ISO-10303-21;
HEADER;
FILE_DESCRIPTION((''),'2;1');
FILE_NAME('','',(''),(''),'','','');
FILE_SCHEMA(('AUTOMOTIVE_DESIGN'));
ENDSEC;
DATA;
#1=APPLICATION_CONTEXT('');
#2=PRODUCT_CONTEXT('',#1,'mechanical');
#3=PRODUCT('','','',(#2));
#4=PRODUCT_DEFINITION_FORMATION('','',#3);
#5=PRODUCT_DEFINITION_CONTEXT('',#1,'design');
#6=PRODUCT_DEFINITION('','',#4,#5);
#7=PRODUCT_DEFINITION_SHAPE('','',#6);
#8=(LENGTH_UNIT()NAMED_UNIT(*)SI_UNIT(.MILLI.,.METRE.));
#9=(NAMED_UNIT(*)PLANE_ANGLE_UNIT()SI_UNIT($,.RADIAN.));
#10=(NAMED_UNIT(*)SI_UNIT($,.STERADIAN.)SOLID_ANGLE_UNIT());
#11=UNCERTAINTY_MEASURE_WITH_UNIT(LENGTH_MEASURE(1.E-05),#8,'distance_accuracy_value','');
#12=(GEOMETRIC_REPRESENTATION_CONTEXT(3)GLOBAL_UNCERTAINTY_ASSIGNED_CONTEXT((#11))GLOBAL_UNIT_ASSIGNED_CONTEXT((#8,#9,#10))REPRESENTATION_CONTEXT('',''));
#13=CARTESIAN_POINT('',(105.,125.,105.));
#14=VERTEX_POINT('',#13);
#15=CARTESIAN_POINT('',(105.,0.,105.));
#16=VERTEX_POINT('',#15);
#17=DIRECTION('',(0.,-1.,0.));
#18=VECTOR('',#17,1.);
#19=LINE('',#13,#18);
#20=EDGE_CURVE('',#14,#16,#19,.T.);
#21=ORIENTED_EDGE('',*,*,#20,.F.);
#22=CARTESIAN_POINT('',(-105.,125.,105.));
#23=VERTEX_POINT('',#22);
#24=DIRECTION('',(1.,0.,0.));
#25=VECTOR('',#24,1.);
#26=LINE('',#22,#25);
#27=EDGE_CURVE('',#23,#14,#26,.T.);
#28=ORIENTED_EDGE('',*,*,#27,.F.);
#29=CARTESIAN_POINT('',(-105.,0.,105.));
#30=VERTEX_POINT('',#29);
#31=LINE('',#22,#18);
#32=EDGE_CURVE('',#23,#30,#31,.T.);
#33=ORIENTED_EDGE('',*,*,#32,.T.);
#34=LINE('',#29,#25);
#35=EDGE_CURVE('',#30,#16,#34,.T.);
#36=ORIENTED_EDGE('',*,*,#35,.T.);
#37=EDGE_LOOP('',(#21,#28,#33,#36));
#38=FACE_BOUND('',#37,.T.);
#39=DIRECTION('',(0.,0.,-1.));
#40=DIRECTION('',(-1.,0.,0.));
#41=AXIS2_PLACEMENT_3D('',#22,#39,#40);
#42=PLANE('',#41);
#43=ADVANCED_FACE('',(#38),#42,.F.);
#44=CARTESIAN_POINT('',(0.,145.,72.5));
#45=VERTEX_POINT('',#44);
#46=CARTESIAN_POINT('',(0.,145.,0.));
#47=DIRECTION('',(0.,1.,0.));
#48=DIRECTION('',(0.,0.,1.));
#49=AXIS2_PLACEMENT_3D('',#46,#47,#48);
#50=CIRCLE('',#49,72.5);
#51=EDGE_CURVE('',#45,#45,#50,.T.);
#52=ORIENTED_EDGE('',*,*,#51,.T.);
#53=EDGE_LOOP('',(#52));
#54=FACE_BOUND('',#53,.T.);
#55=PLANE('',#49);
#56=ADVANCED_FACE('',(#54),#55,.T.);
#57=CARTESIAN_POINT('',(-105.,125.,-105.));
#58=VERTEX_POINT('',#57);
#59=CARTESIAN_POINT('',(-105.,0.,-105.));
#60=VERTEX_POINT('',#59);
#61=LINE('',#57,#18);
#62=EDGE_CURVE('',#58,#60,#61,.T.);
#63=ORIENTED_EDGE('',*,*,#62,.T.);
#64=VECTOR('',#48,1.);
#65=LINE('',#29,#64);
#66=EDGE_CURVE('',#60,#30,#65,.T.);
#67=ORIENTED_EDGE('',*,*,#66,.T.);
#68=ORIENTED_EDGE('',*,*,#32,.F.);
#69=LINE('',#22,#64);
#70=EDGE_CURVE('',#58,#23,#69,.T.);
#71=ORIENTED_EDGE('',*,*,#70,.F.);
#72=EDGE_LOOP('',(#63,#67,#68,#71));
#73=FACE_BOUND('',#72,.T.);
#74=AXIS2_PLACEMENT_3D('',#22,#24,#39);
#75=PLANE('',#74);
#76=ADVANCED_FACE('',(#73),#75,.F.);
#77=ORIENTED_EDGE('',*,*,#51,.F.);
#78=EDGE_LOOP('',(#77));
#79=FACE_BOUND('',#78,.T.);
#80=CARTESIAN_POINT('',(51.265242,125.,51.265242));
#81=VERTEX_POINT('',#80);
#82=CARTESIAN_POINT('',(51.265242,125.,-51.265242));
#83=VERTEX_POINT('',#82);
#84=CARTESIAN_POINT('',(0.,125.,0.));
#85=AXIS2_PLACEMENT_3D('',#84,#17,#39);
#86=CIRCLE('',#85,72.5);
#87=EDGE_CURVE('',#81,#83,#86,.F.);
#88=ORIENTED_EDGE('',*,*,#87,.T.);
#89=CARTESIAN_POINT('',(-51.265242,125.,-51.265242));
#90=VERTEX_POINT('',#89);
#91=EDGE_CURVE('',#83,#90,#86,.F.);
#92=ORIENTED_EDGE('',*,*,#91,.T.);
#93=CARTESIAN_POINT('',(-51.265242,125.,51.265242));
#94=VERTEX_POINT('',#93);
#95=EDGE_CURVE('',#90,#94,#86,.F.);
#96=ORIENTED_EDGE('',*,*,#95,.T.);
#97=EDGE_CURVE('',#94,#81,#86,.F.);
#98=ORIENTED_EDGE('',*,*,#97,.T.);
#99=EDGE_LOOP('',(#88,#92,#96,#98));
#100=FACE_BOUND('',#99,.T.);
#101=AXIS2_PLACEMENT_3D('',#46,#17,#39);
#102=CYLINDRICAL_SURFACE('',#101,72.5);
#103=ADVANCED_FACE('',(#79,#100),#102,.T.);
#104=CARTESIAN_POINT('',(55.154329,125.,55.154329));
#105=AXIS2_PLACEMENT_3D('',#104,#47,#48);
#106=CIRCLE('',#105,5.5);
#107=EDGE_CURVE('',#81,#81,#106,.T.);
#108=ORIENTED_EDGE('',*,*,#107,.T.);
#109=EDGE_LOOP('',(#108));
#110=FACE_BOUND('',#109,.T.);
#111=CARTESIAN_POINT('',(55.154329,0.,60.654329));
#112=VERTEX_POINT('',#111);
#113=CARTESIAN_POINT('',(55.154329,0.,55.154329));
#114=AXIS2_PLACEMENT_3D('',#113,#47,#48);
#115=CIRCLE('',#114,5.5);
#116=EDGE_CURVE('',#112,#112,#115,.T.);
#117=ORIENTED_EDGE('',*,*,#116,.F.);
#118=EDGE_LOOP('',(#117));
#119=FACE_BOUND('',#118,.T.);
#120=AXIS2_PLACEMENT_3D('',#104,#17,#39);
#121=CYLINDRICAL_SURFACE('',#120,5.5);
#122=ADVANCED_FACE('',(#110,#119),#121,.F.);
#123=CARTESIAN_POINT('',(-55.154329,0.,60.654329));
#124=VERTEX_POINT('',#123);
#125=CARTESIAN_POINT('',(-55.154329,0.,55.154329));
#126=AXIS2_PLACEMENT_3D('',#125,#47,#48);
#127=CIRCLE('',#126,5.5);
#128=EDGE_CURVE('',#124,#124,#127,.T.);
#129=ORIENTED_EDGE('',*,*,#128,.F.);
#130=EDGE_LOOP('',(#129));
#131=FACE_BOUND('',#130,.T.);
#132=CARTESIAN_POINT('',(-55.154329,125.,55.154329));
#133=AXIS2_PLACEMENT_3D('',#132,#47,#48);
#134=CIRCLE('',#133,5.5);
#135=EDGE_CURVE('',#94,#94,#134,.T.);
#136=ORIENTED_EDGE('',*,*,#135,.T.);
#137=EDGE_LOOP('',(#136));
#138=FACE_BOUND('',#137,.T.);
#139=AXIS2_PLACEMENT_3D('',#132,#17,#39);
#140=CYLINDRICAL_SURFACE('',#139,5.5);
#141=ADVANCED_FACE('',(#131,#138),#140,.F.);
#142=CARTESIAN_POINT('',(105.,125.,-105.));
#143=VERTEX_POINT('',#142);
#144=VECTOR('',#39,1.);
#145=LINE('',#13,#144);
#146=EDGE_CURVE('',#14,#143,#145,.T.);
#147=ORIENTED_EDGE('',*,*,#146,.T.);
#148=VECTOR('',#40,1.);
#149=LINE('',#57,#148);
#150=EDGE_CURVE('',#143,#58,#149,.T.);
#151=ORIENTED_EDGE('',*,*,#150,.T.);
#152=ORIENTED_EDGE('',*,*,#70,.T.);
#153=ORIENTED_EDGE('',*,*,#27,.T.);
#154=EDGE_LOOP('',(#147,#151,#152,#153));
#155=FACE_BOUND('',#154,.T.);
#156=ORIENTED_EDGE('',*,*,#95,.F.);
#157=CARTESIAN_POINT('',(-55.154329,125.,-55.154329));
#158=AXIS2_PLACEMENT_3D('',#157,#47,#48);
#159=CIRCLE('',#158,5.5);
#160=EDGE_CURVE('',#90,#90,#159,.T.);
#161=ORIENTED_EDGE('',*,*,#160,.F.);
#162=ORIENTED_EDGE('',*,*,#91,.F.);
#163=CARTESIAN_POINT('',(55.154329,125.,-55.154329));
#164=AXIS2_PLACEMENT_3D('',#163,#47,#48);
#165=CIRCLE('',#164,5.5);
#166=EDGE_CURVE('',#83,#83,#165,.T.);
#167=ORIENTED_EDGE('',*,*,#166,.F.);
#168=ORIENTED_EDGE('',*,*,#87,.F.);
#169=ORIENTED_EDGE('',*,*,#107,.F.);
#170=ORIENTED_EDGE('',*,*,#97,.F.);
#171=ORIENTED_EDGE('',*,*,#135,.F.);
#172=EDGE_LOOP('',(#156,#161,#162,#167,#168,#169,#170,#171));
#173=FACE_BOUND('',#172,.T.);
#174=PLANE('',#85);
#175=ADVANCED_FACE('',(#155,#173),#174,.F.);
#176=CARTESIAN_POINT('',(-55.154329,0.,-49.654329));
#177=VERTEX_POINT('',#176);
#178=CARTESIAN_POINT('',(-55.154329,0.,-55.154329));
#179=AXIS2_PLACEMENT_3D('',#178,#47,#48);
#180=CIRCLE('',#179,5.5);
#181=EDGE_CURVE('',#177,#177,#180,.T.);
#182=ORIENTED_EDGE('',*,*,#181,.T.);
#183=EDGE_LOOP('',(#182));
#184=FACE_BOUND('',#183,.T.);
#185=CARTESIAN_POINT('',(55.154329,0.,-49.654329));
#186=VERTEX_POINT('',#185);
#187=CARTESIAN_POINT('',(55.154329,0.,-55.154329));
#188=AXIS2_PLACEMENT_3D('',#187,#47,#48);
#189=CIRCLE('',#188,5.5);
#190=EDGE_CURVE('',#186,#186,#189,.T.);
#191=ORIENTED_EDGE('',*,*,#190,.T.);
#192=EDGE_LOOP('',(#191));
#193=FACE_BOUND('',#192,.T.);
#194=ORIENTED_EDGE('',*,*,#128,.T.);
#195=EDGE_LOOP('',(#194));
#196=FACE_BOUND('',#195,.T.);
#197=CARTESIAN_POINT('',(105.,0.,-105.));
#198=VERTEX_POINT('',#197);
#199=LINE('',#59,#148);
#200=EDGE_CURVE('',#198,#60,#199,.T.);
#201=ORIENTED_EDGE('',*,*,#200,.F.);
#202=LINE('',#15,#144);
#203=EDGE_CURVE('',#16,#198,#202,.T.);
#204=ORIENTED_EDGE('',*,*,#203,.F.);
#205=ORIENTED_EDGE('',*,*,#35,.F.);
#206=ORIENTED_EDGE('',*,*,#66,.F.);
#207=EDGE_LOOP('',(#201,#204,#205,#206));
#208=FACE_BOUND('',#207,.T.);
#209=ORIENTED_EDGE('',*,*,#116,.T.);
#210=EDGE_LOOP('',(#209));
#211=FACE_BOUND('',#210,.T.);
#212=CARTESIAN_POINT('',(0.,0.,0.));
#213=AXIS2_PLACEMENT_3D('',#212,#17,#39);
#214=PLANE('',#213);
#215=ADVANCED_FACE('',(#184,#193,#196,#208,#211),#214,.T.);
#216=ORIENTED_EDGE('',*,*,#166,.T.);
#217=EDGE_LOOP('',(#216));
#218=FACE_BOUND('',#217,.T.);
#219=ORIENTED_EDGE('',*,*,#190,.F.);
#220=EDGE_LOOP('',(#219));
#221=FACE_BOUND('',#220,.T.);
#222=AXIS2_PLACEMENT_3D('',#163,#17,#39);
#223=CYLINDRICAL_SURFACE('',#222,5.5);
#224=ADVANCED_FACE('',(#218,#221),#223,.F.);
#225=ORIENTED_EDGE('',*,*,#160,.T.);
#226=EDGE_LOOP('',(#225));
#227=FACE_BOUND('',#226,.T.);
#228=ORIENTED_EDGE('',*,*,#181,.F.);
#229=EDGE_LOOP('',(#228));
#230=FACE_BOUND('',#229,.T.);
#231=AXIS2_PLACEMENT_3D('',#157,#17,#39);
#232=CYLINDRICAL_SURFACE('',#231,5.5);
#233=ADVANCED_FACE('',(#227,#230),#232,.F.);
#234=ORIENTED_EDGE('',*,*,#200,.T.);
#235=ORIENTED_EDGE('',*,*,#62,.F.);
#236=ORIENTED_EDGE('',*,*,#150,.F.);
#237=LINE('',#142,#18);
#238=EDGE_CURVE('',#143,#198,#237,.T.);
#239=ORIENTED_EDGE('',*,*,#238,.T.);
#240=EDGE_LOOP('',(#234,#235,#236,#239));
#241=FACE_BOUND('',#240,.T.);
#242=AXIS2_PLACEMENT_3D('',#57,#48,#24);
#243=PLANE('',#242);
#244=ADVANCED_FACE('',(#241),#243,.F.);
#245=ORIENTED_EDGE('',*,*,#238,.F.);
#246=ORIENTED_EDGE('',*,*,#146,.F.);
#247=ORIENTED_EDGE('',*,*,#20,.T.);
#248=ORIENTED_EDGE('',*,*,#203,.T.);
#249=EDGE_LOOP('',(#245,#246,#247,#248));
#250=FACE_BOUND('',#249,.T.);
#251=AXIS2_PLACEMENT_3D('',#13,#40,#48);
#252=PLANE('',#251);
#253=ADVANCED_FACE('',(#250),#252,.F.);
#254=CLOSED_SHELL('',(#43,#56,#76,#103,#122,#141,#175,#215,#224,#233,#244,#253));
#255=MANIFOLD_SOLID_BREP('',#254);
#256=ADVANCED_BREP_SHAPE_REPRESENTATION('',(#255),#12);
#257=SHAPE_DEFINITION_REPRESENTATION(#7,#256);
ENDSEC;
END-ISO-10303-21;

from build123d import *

# Parameters (mm, degrees)
F_01_HOUSING_PROFILE_W        = 210
F_01_HOUSING_PROFILE_H        = 210
F_01_HOUSING_PROFILE_R        = 5.5
F_01_HOUSING_BLOCK_DEPTH      = 125
F_02_FACE_BOSS_PROFILE_R      = 72.5
F_02_FACE_LOCATING_BOSS_DEPTH = 145


with BuildPart() as part:
    # 01_Housing_Profile → 01_Housing_Block (new body)
    with BuildSketch(Plane(origin=(0, 0, 0), x_dir=(1, 0, 0), z_dir=(0, 1, 0))):
        Rectangle(F_01_HOUSING_PROFILE_W, F_01_HOUSING_PROFILE_H)
        with Locations(Location((55.154328933, 55.154328933, 0), (0, 0, 270))):
            Circle(F_01_HOUSING_PROFILE_R, mode=Mode.SUBTRACT)
        with Locations(Location((-55.154328933, 55.154328933, 0), (0, 0, 270))):
            Circle(F_01_HOUSING_PROFILE_R, mode=Mode.SUBTRACT)
        with Locations(Location((-55.154328933, -55.154328933, 0), (0, 0, 270))):
            Circle(F_01_HOUSING_PROFILE_R, mode=Mode.SUBTRACT)
        with Locations(Location((55.154328933, -55.154328933, 0), (0, 0, 270))):
            Circle(F_01_HOUSING_PROFILE_R, mode=Mode.SUBTRACT)
    extrude(amount=F_01_HOUSING_BLOCK_DEPTH)

    # 02_Face_Boss_Profile → 02_Face_Locating_Boss (add)
    with BuildSketch(Plane(origin=(0, 0, 0), x_dir=(1, 0, 0), z_dir=(0, 1, 0))):
        with Locations(Location((0, 0, 0), (0, 0, 134.999974728))):
            Circle(F_02_FACE_BOSS_PROFILE_R)
    extrude(amount=F_02_FACE_LOCATING_BOSS_DEPTH)


solid = part.part
